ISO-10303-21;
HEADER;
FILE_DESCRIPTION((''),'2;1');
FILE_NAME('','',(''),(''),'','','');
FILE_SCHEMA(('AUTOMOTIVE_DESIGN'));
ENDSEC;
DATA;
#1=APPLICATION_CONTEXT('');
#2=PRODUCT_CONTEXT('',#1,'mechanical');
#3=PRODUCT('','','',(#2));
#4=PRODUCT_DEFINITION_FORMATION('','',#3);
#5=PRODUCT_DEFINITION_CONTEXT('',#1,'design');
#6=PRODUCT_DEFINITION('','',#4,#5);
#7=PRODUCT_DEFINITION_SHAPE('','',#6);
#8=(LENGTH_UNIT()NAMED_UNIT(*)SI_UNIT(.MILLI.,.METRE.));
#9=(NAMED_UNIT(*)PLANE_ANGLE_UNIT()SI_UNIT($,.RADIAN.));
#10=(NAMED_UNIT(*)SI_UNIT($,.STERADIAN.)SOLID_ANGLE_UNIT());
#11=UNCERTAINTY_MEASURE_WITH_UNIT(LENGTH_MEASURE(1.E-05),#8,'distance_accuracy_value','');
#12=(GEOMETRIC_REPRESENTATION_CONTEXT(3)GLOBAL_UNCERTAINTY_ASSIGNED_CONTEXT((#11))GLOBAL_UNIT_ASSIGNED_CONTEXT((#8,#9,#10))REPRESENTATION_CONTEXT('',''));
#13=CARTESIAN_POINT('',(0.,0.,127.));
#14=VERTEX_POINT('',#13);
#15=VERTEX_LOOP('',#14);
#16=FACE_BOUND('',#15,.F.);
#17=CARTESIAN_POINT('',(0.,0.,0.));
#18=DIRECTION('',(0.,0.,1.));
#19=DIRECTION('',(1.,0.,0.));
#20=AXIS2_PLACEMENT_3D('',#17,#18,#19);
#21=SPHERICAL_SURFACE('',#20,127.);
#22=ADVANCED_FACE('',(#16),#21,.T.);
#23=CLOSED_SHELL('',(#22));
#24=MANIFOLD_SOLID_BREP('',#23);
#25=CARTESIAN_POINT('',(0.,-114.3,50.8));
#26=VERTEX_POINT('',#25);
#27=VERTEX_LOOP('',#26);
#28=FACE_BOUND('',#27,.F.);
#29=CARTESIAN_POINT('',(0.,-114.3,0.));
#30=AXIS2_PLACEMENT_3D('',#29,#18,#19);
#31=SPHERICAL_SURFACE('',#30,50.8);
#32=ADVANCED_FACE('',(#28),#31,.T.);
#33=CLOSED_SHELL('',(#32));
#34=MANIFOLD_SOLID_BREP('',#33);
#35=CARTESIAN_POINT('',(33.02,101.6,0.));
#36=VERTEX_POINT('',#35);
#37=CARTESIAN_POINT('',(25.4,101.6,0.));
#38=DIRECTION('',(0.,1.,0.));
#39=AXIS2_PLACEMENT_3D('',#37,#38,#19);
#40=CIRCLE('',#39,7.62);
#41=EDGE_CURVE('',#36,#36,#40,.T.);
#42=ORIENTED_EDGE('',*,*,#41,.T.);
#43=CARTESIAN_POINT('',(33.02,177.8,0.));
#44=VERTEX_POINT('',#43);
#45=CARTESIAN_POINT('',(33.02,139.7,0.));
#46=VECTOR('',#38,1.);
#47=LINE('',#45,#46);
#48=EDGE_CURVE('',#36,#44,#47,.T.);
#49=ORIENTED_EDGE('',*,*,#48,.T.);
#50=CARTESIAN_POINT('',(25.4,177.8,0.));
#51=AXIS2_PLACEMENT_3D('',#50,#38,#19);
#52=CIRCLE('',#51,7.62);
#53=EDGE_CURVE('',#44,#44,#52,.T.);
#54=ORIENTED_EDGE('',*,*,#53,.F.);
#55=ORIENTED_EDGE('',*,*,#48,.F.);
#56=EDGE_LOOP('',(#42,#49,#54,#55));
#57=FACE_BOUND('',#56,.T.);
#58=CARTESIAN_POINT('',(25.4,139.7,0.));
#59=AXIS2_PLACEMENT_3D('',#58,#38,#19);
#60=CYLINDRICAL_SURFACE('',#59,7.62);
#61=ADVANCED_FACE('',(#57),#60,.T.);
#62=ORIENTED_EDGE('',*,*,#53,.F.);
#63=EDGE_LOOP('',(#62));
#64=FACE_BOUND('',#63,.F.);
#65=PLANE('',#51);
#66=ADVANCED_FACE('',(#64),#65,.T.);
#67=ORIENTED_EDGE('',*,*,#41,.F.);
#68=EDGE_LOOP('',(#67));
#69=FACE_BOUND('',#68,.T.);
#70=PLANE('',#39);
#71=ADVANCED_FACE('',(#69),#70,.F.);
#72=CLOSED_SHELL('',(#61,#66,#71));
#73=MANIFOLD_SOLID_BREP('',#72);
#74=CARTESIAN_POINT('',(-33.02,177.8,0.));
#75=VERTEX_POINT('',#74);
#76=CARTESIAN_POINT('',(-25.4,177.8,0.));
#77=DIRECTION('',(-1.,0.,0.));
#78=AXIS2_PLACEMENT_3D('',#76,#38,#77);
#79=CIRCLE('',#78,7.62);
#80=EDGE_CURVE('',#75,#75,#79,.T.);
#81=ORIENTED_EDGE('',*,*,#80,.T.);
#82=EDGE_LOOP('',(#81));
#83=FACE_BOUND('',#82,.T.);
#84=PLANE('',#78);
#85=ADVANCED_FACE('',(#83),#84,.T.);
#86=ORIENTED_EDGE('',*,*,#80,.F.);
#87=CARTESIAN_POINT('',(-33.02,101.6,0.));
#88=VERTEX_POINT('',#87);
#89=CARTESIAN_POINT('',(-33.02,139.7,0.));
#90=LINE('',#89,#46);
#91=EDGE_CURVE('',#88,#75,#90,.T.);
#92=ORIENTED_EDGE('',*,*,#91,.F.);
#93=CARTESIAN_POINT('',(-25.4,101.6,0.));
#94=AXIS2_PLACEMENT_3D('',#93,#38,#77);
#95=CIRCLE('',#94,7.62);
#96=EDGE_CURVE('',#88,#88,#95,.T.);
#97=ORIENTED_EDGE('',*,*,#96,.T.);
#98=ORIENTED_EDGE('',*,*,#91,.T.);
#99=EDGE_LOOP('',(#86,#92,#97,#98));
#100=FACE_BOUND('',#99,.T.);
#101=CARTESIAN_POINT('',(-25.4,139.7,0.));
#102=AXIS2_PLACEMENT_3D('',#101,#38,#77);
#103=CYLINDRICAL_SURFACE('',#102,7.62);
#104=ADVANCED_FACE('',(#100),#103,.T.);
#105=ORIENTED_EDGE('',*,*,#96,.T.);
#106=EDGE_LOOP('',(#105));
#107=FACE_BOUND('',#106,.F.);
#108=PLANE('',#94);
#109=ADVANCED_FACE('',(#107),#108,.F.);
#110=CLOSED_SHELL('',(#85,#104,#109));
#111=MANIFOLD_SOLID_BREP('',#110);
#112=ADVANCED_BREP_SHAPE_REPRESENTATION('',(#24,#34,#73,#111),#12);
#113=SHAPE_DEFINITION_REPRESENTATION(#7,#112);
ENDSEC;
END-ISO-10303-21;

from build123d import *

# Parameters (mm, degrees)
F6_W = 7.62
F6_H = 76.2


with BuildPart() as f1:
    # F0 (on Front) → F1 (revolve)
    with BuildSketch(Plane.XZ):
        with BuildLine():
            Line((0, 127), (0, -127))
            ThreePointArc((0, -127), (127, 0), (0, 127))
        make_face()
    revolve(axis=Axis((0, 0, 0), (0, 0, -1)))


with BuildPart() as f4:
    # F3 (on offset) → F4 (revolve)
    with BuildSketch(Plane.XZ.offset(114.3)):
        with BuildLine():
            Line((0, 50.8), (0, -50.8))
            ThreePointArc((0, -50.8), (50.8, 0), (0, 50.8))
        make_face()
    revolve(axis=Axis((0, -114.3, 0), (0, 0, -1)))


with BuildPart() as f7:
    # F6 (on offset) → F7 (revolve)
    with BuildSketch(Plane.XY):
        with Locations((-29.21, 139.7)):
            Rectangle(F6_W, F6_H)
    revolve(axis=Axis((-25.4, 139.7, 0), (0, 1, 0)))


with BuildPart() as f8:
    # F6 (on offset) → F8 (revolve)
    with BuildSketch(Plane.XY):
        with Locations((29.21, 139.7)):
            Rectangle(F6_W, F6_H)
    revolve(axis=Axis((25.4, 139.7, 0), (0, 1, 0)))


solid = Compound([f1.part, f4.part, f7.part, f8.part])
